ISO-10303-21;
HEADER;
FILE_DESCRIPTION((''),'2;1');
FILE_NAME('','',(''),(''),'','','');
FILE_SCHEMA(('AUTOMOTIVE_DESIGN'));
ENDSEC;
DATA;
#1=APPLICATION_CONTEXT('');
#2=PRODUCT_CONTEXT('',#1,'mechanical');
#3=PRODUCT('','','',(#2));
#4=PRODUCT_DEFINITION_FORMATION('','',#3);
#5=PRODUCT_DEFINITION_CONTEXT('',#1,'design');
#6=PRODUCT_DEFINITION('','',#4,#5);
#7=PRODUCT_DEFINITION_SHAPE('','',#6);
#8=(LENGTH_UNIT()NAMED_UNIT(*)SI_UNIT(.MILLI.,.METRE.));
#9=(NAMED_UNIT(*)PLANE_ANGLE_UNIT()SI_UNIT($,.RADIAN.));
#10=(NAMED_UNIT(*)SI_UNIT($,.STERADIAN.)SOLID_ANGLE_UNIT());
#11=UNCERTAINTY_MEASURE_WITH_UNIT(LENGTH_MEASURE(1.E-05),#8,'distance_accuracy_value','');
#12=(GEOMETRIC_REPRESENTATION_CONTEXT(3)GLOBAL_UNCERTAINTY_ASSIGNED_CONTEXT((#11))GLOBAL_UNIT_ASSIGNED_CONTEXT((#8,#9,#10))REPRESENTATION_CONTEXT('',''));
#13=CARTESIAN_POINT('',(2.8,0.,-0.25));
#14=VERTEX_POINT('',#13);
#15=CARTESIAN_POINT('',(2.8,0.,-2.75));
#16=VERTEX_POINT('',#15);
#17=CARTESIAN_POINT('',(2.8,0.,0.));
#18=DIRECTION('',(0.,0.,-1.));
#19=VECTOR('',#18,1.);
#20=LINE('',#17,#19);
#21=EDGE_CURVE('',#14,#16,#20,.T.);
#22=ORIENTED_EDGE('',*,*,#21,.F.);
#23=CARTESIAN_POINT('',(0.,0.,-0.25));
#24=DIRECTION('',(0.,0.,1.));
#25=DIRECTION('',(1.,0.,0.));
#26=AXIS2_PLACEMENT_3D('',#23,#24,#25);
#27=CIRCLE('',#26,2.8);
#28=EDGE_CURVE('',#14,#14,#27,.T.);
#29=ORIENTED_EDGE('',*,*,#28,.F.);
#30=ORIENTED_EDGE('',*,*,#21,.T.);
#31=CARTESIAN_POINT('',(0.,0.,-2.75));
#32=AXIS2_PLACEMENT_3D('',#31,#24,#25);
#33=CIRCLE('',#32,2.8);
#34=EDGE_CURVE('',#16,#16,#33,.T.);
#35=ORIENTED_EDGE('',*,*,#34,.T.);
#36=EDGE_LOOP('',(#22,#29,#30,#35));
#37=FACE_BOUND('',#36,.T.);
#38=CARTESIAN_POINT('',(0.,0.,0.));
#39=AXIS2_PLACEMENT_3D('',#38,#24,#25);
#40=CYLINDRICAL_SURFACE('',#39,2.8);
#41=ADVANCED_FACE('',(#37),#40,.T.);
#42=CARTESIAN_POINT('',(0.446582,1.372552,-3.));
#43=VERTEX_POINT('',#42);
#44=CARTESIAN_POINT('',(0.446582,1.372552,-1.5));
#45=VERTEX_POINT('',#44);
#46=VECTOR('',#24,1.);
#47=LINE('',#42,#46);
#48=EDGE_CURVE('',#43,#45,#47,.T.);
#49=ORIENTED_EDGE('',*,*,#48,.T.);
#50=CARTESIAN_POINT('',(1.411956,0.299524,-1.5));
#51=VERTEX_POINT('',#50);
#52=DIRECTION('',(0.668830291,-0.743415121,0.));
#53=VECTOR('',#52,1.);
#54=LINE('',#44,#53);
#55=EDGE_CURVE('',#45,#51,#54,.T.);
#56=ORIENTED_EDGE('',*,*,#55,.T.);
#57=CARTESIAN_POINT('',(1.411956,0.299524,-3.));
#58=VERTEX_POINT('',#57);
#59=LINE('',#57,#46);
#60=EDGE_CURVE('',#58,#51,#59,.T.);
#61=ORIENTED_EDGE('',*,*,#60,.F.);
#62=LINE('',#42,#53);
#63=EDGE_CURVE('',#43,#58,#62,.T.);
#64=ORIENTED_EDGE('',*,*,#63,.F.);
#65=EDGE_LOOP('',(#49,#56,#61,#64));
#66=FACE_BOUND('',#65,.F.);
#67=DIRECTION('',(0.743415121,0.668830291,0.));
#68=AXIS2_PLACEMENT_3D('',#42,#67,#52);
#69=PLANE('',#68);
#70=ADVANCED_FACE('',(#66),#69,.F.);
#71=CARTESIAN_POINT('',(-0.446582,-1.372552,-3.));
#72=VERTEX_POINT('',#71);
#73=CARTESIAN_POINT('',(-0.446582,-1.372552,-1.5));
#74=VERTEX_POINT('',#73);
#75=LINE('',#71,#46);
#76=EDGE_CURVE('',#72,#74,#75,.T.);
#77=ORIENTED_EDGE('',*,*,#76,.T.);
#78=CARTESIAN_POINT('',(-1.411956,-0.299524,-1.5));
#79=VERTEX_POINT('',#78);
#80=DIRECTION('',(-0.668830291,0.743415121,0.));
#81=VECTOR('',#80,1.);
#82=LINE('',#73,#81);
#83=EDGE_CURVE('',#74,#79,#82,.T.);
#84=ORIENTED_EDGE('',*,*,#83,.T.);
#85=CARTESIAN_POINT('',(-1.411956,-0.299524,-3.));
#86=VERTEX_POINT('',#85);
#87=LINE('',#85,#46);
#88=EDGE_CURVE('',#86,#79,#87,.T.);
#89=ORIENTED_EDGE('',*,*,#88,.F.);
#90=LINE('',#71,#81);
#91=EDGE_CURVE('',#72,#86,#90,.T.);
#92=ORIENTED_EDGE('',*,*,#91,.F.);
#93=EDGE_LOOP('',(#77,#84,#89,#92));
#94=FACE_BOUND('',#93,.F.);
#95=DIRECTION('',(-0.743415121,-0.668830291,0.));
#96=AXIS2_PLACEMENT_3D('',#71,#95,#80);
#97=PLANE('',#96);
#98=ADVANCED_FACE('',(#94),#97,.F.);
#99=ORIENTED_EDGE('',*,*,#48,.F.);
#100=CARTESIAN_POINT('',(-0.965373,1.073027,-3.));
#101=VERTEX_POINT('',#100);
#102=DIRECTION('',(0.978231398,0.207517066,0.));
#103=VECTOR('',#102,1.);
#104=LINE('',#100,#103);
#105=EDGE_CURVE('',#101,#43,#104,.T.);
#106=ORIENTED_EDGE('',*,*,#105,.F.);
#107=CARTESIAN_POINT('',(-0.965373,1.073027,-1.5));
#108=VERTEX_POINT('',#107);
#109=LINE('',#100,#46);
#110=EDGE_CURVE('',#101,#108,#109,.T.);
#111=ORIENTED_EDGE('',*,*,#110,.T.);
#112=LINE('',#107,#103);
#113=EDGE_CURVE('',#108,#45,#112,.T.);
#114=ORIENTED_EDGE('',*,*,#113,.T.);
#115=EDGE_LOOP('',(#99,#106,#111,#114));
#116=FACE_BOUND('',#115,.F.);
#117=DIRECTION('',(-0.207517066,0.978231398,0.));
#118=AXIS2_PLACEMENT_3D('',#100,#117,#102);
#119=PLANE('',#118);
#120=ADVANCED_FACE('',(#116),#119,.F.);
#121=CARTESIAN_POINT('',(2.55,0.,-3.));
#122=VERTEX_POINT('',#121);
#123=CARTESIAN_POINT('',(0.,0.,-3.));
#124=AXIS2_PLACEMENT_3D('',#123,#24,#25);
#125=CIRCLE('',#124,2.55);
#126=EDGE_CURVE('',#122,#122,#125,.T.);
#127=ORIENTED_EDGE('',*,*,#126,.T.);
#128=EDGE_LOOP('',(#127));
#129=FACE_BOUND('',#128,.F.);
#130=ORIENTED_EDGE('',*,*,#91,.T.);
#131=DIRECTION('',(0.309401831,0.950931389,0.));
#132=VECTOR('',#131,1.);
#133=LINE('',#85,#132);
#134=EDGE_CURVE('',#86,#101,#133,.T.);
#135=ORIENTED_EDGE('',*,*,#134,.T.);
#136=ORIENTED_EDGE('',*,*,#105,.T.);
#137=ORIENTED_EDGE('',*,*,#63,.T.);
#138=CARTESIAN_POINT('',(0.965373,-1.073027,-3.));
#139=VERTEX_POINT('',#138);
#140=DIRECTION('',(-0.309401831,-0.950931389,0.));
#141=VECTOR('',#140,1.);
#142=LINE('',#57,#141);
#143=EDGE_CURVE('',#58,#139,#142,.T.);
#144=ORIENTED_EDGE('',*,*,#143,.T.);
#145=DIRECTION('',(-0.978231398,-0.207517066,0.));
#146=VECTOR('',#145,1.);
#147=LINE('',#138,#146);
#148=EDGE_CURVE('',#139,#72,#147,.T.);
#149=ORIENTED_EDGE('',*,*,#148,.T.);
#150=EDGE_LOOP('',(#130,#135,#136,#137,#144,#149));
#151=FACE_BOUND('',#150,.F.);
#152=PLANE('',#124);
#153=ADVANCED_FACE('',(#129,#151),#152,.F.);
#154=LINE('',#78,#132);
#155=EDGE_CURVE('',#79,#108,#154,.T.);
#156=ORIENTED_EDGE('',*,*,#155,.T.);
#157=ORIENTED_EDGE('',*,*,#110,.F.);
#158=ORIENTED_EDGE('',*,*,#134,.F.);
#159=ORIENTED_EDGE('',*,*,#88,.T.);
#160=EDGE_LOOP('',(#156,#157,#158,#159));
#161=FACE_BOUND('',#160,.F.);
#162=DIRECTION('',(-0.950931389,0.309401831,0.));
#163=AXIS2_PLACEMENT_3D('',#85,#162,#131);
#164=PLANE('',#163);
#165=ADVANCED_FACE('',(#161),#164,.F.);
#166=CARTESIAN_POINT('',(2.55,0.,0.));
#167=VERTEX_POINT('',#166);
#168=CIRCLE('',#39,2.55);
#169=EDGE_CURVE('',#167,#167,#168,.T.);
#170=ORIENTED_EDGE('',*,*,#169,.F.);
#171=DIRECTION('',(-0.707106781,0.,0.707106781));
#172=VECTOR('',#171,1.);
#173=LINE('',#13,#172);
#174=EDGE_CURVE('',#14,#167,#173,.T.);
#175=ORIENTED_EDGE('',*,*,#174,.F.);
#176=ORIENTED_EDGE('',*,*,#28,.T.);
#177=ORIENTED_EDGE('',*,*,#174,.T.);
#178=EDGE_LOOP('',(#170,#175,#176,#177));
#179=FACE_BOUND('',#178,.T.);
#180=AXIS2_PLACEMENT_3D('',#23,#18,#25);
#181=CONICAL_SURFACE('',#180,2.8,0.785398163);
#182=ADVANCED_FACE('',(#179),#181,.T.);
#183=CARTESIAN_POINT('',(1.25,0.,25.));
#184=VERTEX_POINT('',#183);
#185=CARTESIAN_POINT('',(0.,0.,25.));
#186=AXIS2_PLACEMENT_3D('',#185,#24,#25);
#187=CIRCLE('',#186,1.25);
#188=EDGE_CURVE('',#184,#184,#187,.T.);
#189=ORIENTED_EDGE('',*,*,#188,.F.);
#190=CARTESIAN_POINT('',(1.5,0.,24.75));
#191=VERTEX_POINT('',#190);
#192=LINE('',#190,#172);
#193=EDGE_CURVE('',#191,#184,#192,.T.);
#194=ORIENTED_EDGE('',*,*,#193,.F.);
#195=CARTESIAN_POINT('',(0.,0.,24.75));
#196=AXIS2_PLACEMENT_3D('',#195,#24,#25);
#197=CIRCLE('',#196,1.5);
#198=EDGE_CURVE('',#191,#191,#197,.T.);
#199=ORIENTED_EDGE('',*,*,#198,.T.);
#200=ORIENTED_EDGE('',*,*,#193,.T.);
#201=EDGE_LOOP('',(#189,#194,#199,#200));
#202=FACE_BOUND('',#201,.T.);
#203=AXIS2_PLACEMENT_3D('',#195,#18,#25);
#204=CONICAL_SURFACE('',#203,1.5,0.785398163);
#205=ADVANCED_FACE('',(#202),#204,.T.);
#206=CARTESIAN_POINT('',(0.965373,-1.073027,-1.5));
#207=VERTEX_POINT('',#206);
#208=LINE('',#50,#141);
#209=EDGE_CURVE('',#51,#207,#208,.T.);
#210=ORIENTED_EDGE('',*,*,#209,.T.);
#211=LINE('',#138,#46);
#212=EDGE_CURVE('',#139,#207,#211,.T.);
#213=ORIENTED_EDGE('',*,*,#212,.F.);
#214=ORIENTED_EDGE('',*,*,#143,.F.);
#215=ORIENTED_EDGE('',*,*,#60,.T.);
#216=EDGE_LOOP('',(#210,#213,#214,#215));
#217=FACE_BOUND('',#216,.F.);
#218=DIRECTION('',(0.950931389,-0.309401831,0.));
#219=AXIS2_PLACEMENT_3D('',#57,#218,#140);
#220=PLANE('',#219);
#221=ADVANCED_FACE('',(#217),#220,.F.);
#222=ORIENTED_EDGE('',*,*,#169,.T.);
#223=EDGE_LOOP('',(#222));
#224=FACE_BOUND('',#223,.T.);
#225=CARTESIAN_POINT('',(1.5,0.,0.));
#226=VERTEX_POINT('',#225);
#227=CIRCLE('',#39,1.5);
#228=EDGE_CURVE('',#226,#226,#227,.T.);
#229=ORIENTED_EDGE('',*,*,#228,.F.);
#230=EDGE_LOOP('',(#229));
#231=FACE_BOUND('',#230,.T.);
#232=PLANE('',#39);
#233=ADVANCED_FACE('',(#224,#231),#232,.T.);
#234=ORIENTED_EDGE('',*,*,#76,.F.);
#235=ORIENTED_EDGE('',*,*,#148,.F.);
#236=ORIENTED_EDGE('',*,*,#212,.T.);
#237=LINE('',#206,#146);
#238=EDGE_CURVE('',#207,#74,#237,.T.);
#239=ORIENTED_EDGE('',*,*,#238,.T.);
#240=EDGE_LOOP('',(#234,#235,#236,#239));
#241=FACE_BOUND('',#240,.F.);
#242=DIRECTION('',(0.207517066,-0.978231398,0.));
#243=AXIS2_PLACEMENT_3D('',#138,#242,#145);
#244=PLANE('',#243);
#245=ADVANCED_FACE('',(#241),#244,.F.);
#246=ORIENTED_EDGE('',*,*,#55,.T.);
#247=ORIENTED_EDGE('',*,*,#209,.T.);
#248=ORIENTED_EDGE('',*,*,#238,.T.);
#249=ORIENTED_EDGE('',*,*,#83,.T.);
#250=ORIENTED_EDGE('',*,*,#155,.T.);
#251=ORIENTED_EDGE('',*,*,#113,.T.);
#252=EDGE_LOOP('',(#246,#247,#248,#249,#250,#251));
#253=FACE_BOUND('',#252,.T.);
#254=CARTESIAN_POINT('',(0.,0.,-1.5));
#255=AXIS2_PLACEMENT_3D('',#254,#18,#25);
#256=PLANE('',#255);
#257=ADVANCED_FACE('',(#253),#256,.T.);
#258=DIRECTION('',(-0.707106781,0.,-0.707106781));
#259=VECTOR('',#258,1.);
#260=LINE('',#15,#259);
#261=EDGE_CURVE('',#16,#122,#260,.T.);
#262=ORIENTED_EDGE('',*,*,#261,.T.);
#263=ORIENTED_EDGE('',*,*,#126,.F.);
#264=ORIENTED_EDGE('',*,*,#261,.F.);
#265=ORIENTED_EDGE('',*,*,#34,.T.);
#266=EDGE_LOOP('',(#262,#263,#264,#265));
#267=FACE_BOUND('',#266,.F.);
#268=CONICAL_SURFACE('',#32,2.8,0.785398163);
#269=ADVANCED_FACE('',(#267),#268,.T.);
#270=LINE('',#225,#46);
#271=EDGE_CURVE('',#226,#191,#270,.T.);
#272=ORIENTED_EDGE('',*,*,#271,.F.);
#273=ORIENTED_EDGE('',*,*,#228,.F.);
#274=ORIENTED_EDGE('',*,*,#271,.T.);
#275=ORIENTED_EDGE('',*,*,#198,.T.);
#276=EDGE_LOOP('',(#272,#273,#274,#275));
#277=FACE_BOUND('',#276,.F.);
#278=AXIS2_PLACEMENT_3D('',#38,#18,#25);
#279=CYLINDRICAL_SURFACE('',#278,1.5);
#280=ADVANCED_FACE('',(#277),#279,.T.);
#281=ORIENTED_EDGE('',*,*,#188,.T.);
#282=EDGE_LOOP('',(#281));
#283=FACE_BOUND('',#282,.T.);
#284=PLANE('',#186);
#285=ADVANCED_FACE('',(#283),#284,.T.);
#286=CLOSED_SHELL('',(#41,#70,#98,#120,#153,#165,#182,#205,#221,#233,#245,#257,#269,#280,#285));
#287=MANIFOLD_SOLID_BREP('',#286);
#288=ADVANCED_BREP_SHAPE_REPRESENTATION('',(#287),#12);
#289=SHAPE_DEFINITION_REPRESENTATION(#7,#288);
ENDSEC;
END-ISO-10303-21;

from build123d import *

# Parameters (mm, degrees)
F0_R     = 1.5
F1_DEPTH = 25
F2_R     = 2.8
F3_DEPTH = 3
F5_DEPTH = 1.5
F6_SIZE  = 0.25


with BuildPart() as f1:
    # F0 (on Top) → F1 (new body)
    with BuildSketch(Plane.XY):
        Circle(F0_R)
    extrude(amount=F1_DEPTH)

    # F2 (on Top) → F3 (join)
    with BuildSketch(Plane.XY):
        Circle(F2_R)
    extrude(amount=-F3_DEPTH)

    # F4 (on face) → F5 (cut)
    with BuildSketch(Plane(origin=(0, 0, -3), x_dir=(1, 0, 0), z_dir=(0, 0, -1))):
        Polygon((0.446582, -1.372552), (1.411956, -0.299524), (0.965373, 1.073027), (-0.446582, 1.372552), (-1.411956, 0.299524), (-0.965373, -1.073027), align=None)
    extrude(amount=-F5_DEPTH, mode=Mode.SUBTRACT)

    # F6
    f6_edges = [f1.edges().sort_by_distance(p)[0] for p in [
        (-2.8, 0, -3),
        (-1.5, 0, 25),
        (-2.8, 0, 0),
    ]]
    chamfer(f6_edges, length=F6_SIZE)


solid = f1.part
